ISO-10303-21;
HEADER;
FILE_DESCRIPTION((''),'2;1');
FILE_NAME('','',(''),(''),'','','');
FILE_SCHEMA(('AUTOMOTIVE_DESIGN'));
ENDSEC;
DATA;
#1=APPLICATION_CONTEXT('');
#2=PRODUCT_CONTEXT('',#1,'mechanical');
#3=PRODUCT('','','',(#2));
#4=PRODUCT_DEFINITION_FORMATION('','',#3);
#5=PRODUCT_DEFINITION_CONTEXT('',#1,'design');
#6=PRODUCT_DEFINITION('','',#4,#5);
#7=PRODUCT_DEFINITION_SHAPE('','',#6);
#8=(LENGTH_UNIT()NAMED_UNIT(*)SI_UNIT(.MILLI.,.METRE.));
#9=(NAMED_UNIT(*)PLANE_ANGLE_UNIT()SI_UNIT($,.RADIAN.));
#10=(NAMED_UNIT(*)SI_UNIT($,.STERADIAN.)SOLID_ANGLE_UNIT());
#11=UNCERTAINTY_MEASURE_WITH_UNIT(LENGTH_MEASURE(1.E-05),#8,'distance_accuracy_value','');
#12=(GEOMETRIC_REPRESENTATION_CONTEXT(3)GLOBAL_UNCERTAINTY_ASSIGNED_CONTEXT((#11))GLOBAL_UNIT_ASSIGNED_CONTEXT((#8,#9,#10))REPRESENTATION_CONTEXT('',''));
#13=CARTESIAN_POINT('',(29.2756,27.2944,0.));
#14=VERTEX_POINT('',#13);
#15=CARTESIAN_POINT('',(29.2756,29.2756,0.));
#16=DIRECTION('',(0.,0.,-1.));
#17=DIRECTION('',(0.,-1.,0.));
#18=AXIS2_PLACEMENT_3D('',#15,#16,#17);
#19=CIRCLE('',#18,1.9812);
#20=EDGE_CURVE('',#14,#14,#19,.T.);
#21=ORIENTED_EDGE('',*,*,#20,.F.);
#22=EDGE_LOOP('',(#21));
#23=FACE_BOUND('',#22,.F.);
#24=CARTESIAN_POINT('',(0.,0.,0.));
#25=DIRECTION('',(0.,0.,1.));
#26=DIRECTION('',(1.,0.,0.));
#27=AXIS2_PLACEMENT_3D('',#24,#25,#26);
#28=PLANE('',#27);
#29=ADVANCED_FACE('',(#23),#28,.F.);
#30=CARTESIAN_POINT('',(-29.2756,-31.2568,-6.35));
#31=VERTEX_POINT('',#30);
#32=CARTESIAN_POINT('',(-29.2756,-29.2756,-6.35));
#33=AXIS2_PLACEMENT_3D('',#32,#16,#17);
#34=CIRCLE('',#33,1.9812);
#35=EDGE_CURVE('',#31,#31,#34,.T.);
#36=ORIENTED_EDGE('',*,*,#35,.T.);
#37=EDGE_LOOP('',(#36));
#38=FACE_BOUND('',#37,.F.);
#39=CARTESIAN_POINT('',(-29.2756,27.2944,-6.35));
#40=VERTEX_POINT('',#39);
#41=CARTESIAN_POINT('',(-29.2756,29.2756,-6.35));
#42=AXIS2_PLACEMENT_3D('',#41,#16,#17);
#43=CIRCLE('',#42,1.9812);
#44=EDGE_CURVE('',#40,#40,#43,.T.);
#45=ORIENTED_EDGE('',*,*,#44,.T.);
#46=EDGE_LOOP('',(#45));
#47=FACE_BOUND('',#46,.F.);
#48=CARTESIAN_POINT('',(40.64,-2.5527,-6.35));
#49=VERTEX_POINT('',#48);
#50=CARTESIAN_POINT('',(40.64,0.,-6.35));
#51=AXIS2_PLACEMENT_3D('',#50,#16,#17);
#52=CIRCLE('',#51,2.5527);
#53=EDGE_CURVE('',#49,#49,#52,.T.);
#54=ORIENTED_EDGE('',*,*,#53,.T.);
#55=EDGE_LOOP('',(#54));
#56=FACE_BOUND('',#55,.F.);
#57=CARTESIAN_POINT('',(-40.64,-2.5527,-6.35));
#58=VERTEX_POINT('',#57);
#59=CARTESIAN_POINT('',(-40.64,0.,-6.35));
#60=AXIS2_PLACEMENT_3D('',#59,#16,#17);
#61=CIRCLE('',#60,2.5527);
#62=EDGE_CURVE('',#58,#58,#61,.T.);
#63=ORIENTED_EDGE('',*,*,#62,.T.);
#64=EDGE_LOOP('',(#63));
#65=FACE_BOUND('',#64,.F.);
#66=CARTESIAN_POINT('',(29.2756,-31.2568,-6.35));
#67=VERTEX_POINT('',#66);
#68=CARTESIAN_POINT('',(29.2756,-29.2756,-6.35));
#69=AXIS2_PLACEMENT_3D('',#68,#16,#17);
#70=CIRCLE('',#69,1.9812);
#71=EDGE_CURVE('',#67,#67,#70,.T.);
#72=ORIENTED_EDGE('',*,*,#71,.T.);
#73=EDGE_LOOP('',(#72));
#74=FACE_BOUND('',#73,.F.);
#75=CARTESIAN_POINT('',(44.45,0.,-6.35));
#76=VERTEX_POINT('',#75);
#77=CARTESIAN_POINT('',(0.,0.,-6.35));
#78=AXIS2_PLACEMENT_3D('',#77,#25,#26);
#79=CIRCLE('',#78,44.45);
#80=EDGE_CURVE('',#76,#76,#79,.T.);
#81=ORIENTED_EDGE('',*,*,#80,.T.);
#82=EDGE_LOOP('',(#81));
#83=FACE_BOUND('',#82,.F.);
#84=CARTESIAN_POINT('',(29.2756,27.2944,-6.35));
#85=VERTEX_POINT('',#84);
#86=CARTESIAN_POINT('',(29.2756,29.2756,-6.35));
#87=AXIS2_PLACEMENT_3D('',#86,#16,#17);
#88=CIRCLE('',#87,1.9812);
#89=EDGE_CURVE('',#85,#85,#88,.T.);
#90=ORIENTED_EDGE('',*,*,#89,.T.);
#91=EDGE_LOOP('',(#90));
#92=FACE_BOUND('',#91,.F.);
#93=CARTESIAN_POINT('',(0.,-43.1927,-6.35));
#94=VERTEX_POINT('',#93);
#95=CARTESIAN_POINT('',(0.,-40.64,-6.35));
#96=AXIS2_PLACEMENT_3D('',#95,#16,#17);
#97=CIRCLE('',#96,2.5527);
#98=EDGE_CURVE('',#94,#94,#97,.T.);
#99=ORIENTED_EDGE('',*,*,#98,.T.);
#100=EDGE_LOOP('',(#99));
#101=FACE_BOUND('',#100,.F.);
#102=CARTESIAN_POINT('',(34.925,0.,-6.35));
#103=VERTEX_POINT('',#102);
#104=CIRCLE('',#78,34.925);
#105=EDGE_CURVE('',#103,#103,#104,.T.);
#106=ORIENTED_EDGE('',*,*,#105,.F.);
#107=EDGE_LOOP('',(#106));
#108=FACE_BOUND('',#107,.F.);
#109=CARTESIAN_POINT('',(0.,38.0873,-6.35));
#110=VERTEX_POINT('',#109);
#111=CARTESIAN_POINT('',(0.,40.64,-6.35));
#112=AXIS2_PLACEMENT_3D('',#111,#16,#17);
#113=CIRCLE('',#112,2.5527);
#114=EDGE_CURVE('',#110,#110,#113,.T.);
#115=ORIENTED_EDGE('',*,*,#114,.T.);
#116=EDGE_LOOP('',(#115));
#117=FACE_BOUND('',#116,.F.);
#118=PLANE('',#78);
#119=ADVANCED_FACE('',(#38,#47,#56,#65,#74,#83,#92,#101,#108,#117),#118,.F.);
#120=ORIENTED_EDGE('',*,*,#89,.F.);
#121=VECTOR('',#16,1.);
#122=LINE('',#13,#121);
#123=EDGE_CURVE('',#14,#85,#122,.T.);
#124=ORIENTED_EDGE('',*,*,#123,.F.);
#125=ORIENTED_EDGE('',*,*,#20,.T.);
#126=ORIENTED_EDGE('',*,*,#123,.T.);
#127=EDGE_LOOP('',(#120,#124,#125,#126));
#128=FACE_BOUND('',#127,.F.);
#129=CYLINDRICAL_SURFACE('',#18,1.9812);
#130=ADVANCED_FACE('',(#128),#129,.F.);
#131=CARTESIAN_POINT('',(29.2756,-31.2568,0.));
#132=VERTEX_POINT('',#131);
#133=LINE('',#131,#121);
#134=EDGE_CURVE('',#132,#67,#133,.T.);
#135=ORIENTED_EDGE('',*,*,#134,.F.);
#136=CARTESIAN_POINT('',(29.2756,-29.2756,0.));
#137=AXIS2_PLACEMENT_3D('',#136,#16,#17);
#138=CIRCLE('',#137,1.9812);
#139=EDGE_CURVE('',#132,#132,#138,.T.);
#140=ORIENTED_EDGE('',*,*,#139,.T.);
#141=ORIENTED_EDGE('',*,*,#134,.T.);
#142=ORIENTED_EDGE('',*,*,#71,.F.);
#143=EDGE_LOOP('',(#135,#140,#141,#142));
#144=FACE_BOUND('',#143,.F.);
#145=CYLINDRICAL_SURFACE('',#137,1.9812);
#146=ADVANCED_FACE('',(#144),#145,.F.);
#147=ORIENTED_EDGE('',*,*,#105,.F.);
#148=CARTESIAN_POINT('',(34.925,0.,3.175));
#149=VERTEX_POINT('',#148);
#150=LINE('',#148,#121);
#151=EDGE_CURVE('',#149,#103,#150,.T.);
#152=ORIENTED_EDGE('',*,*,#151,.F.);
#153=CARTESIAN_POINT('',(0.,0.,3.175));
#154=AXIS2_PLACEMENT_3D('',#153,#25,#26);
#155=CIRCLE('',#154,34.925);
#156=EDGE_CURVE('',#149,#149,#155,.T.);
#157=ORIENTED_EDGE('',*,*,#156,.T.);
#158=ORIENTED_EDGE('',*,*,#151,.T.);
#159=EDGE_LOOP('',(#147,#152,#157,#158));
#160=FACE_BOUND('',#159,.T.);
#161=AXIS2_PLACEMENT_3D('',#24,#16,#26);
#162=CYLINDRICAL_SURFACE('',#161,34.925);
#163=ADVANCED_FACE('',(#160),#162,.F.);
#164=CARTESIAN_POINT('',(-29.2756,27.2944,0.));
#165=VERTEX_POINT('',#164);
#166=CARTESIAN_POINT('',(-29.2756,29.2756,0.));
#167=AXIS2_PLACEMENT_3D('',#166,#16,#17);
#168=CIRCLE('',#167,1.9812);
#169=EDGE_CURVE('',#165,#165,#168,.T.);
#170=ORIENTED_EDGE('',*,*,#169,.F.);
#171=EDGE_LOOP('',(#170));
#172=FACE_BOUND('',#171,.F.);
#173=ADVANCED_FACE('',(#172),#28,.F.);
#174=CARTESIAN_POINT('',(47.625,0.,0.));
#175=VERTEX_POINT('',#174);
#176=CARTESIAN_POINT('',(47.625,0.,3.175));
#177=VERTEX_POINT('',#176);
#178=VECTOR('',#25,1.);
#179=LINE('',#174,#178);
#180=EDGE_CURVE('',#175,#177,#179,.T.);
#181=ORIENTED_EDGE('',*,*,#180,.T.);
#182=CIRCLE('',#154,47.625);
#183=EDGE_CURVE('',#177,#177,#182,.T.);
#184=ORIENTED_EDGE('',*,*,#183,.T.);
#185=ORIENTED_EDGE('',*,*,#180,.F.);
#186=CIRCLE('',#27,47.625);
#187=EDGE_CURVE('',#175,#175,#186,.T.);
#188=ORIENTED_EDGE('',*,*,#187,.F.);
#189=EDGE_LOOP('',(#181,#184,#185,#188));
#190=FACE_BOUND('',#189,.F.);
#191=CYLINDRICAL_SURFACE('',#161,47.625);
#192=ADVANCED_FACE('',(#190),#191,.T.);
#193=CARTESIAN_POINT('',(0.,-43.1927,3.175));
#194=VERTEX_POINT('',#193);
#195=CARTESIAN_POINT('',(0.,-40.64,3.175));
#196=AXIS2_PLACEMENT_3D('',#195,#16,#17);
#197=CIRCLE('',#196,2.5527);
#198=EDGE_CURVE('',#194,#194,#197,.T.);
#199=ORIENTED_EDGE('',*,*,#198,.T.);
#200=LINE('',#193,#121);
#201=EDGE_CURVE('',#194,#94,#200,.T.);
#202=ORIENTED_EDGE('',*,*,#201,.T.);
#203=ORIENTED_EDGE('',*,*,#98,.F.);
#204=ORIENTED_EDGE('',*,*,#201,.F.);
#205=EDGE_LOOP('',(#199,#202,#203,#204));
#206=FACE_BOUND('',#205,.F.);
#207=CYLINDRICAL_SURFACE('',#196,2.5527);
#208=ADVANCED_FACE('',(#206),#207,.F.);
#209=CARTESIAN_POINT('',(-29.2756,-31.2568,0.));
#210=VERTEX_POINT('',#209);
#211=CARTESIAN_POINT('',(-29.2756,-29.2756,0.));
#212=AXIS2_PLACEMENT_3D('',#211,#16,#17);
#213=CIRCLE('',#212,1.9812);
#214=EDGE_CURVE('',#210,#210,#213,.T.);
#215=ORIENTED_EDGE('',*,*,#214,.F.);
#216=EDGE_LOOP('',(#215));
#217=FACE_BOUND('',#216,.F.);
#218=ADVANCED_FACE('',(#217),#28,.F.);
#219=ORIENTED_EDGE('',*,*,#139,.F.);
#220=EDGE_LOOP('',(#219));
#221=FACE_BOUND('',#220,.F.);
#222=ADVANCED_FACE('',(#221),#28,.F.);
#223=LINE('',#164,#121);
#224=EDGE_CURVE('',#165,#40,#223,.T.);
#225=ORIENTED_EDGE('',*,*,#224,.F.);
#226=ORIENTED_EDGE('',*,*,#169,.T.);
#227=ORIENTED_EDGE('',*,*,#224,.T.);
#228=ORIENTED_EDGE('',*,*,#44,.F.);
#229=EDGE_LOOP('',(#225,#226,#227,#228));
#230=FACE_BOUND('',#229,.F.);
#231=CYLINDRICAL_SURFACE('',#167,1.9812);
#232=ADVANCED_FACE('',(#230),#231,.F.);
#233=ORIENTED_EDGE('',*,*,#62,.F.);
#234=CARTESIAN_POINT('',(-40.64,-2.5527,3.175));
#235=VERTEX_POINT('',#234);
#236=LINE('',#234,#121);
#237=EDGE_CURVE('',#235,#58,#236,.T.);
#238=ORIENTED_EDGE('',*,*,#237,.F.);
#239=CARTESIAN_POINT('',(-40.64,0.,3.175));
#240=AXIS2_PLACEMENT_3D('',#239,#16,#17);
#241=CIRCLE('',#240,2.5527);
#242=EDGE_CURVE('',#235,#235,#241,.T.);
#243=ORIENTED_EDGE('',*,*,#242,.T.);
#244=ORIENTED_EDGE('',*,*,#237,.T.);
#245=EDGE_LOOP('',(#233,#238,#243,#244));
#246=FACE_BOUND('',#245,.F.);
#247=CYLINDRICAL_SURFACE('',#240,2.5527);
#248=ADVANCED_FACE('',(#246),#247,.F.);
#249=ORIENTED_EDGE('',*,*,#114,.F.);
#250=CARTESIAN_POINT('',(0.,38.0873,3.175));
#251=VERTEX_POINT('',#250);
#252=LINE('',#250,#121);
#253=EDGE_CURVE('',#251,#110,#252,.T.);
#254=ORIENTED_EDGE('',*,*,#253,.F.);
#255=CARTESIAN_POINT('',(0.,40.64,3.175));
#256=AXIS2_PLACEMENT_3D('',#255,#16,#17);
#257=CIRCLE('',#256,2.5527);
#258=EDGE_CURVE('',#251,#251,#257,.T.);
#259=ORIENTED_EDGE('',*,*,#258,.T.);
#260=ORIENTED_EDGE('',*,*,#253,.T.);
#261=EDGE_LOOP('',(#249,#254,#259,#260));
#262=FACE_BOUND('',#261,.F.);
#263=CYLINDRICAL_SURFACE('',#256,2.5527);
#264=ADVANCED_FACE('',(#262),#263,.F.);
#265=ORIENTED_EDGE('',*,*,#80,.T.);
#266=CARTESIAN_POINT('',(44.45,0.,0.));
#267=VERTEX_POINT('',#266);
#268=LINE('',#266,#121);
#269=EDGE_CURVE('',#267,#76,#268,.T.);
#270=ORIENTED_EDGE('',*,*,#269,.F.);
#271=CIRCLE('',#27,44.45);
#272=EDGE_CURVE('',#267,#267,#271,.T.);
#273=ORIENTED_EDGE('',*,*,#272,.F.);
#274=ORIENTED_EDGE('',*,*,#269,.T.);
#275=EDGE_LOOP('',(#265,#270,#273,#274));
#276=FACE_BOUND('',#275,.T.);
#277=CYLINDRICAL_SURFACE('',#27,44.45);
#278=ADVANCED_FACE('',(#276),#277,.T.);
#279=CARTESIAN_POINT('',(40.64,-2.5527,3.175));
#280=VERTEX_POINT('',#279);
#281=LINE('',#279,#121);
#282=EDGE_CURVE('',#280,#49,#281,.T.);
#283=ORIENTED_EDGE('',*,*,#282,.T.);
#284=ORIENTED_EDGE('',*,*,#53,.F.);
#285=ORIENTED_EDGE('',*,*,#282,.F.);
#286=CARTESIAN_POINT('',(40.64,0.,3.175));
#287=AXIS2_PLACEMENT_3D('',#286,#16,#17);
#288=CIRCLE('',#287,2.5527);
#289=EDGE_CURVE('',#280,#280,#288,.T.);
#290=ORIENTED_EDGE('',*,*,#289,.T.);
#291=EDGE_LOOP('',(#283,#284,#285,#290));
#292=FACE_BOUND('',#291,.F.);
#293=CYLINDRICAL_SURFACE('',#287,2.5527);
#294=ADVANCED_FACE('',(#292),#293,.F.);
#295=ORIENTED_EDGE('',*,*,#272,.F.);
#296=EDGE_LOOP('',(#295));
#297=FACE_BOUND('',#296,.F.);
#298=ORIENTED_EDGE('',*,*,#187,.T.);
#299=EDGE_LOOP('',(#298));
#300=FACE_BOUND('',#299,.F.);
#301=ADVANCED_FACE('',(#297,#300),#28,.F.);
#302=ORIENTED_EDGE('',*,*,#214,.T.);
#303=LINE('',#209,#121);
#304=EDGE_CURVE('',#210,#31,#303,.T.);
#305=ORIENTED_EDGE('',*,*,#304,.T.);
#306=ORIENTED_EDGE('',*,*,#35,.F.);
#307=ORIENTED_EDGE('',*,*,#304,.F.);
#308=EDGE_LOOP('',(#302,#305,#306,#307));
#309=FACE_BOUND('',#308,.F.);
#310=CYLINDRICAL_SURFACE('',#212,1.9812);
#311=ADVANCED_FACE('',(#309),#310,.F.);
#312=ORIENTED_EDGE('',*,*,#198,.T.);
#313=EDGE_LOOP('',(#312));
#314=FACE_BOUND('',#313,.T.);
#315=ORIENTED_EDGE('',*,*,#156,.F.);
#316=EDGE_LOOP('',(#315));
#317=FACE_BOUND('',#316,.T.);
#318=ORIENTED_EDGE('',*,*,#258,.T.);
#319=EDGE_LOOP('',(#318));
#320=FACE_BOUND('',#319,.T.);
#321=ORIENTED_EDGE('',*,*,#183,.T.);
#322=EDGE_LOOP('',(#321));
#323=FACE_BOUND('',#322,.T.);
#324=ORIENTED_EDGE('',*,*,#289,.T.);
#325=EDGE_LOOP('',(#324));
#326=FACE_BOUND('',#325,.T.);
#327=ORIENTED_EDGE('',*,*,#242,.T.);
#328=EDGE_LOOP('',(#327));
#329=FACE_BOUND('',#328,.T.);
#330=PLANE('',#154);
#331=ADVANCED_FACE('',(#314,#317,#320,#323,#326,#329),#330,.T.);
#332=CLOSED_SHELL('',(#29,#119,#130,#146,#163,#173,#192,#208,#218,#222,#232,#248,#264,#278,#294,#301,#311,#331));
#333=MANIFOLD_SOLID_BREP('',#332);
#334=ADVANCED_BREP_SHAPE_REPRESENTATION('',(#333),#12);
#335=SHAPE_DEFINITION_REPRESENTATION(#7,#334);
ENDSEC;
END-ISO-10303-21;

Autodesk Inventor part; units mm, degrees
ref_plane "YZ Plane" through (0, 0, 0) normal (1, 0, 0) x (0, 1, 0)
ref_plane "XZ Plane" through (0, 0, 0) normal (0, 1, 0) x (-1, 0, 0)
ref_plane "XY Plane" through (0, 0, 0) normal (0, 0, 1) x (1, 0, 0)
sketch "Sketch1" plane through (0, 0, 0) normal (0, 0, 1) x (1, 0, 0)
  circle A0 centre (0, 0) radius 44.45
  circle A1 centre (0, 0) radius 34.925
  dimension "d0" = 88.9
  dimension "d20" = 69.85
extrude "Extrusion1" add sketch "Sketch1" against normal blind 6.35
sketch "Sketch3" plane through (0, 0, 0) normal (0, 0, 1) x (1, 0, 0)
  circle A0 centre (0, 0) radius 41.402 construction
  line L0 (0, 0) -> (29.2756, 29.2756) construction
  circle A1 centre (0, 0) radius 44.45 construction
  line L1 (-44.45, 0) -> (44.45, 0) construction
  point P0 (-29.2756, 29.2756)
  point P1 (-29.2756, -29.2756)
  point P2 (29.2756, -29.2756)
  dimension "d4" = 82.804
  dimension "d5" = 45
  dimension "d8" = 360
hole "Hole1" at (29.2756, 29.2756, 0) at (-29.2756, 29.2756, 0) at (-29.2756, -29.2756, 0) at (29.2756, -29.2756, 0) direction (0, 0, -1) diameter 3.9624 end through all thread size "10-32 UNF" class "2B" standard "ANSI Unified Screw Threads"
sketch "Sketch7" plane through (0, 0, 0) normal (0, 0, 1) x (1, 0, 0)
  circle A0 centre (0, 0) radius 34.925 projected
  circle A1 centre (0, 0) radius 47.625
  dimension "d25" = 95.25
extrude "Extrusion4" add sketch "Sketch7" along normal blind 3.175
sketch "Sketch8" plane through (0, 0, 3.175) normal (0, 0, 1) x (1, 0, 0)
  circle A0 centre (0, 0) radius 40.64 construction
  point P0 (40.64, 0)
  point P1 (0, 40.64)
  point P2 (-40.64, 0)
  point P3 (0, -40.64)
  dimension "d28" = 81.28
  dimension "d38" = 360
hole "Hole2" at (0, 40.64, 3.175) at (-40.64, 0, 3.175) at (0, -40.64, 3.175) at (40.64, 0, 3.175) direction (0, 0, -1) diameter 5.1054 end through all
properties part number "LS-002" material "Aluminum 6061"
